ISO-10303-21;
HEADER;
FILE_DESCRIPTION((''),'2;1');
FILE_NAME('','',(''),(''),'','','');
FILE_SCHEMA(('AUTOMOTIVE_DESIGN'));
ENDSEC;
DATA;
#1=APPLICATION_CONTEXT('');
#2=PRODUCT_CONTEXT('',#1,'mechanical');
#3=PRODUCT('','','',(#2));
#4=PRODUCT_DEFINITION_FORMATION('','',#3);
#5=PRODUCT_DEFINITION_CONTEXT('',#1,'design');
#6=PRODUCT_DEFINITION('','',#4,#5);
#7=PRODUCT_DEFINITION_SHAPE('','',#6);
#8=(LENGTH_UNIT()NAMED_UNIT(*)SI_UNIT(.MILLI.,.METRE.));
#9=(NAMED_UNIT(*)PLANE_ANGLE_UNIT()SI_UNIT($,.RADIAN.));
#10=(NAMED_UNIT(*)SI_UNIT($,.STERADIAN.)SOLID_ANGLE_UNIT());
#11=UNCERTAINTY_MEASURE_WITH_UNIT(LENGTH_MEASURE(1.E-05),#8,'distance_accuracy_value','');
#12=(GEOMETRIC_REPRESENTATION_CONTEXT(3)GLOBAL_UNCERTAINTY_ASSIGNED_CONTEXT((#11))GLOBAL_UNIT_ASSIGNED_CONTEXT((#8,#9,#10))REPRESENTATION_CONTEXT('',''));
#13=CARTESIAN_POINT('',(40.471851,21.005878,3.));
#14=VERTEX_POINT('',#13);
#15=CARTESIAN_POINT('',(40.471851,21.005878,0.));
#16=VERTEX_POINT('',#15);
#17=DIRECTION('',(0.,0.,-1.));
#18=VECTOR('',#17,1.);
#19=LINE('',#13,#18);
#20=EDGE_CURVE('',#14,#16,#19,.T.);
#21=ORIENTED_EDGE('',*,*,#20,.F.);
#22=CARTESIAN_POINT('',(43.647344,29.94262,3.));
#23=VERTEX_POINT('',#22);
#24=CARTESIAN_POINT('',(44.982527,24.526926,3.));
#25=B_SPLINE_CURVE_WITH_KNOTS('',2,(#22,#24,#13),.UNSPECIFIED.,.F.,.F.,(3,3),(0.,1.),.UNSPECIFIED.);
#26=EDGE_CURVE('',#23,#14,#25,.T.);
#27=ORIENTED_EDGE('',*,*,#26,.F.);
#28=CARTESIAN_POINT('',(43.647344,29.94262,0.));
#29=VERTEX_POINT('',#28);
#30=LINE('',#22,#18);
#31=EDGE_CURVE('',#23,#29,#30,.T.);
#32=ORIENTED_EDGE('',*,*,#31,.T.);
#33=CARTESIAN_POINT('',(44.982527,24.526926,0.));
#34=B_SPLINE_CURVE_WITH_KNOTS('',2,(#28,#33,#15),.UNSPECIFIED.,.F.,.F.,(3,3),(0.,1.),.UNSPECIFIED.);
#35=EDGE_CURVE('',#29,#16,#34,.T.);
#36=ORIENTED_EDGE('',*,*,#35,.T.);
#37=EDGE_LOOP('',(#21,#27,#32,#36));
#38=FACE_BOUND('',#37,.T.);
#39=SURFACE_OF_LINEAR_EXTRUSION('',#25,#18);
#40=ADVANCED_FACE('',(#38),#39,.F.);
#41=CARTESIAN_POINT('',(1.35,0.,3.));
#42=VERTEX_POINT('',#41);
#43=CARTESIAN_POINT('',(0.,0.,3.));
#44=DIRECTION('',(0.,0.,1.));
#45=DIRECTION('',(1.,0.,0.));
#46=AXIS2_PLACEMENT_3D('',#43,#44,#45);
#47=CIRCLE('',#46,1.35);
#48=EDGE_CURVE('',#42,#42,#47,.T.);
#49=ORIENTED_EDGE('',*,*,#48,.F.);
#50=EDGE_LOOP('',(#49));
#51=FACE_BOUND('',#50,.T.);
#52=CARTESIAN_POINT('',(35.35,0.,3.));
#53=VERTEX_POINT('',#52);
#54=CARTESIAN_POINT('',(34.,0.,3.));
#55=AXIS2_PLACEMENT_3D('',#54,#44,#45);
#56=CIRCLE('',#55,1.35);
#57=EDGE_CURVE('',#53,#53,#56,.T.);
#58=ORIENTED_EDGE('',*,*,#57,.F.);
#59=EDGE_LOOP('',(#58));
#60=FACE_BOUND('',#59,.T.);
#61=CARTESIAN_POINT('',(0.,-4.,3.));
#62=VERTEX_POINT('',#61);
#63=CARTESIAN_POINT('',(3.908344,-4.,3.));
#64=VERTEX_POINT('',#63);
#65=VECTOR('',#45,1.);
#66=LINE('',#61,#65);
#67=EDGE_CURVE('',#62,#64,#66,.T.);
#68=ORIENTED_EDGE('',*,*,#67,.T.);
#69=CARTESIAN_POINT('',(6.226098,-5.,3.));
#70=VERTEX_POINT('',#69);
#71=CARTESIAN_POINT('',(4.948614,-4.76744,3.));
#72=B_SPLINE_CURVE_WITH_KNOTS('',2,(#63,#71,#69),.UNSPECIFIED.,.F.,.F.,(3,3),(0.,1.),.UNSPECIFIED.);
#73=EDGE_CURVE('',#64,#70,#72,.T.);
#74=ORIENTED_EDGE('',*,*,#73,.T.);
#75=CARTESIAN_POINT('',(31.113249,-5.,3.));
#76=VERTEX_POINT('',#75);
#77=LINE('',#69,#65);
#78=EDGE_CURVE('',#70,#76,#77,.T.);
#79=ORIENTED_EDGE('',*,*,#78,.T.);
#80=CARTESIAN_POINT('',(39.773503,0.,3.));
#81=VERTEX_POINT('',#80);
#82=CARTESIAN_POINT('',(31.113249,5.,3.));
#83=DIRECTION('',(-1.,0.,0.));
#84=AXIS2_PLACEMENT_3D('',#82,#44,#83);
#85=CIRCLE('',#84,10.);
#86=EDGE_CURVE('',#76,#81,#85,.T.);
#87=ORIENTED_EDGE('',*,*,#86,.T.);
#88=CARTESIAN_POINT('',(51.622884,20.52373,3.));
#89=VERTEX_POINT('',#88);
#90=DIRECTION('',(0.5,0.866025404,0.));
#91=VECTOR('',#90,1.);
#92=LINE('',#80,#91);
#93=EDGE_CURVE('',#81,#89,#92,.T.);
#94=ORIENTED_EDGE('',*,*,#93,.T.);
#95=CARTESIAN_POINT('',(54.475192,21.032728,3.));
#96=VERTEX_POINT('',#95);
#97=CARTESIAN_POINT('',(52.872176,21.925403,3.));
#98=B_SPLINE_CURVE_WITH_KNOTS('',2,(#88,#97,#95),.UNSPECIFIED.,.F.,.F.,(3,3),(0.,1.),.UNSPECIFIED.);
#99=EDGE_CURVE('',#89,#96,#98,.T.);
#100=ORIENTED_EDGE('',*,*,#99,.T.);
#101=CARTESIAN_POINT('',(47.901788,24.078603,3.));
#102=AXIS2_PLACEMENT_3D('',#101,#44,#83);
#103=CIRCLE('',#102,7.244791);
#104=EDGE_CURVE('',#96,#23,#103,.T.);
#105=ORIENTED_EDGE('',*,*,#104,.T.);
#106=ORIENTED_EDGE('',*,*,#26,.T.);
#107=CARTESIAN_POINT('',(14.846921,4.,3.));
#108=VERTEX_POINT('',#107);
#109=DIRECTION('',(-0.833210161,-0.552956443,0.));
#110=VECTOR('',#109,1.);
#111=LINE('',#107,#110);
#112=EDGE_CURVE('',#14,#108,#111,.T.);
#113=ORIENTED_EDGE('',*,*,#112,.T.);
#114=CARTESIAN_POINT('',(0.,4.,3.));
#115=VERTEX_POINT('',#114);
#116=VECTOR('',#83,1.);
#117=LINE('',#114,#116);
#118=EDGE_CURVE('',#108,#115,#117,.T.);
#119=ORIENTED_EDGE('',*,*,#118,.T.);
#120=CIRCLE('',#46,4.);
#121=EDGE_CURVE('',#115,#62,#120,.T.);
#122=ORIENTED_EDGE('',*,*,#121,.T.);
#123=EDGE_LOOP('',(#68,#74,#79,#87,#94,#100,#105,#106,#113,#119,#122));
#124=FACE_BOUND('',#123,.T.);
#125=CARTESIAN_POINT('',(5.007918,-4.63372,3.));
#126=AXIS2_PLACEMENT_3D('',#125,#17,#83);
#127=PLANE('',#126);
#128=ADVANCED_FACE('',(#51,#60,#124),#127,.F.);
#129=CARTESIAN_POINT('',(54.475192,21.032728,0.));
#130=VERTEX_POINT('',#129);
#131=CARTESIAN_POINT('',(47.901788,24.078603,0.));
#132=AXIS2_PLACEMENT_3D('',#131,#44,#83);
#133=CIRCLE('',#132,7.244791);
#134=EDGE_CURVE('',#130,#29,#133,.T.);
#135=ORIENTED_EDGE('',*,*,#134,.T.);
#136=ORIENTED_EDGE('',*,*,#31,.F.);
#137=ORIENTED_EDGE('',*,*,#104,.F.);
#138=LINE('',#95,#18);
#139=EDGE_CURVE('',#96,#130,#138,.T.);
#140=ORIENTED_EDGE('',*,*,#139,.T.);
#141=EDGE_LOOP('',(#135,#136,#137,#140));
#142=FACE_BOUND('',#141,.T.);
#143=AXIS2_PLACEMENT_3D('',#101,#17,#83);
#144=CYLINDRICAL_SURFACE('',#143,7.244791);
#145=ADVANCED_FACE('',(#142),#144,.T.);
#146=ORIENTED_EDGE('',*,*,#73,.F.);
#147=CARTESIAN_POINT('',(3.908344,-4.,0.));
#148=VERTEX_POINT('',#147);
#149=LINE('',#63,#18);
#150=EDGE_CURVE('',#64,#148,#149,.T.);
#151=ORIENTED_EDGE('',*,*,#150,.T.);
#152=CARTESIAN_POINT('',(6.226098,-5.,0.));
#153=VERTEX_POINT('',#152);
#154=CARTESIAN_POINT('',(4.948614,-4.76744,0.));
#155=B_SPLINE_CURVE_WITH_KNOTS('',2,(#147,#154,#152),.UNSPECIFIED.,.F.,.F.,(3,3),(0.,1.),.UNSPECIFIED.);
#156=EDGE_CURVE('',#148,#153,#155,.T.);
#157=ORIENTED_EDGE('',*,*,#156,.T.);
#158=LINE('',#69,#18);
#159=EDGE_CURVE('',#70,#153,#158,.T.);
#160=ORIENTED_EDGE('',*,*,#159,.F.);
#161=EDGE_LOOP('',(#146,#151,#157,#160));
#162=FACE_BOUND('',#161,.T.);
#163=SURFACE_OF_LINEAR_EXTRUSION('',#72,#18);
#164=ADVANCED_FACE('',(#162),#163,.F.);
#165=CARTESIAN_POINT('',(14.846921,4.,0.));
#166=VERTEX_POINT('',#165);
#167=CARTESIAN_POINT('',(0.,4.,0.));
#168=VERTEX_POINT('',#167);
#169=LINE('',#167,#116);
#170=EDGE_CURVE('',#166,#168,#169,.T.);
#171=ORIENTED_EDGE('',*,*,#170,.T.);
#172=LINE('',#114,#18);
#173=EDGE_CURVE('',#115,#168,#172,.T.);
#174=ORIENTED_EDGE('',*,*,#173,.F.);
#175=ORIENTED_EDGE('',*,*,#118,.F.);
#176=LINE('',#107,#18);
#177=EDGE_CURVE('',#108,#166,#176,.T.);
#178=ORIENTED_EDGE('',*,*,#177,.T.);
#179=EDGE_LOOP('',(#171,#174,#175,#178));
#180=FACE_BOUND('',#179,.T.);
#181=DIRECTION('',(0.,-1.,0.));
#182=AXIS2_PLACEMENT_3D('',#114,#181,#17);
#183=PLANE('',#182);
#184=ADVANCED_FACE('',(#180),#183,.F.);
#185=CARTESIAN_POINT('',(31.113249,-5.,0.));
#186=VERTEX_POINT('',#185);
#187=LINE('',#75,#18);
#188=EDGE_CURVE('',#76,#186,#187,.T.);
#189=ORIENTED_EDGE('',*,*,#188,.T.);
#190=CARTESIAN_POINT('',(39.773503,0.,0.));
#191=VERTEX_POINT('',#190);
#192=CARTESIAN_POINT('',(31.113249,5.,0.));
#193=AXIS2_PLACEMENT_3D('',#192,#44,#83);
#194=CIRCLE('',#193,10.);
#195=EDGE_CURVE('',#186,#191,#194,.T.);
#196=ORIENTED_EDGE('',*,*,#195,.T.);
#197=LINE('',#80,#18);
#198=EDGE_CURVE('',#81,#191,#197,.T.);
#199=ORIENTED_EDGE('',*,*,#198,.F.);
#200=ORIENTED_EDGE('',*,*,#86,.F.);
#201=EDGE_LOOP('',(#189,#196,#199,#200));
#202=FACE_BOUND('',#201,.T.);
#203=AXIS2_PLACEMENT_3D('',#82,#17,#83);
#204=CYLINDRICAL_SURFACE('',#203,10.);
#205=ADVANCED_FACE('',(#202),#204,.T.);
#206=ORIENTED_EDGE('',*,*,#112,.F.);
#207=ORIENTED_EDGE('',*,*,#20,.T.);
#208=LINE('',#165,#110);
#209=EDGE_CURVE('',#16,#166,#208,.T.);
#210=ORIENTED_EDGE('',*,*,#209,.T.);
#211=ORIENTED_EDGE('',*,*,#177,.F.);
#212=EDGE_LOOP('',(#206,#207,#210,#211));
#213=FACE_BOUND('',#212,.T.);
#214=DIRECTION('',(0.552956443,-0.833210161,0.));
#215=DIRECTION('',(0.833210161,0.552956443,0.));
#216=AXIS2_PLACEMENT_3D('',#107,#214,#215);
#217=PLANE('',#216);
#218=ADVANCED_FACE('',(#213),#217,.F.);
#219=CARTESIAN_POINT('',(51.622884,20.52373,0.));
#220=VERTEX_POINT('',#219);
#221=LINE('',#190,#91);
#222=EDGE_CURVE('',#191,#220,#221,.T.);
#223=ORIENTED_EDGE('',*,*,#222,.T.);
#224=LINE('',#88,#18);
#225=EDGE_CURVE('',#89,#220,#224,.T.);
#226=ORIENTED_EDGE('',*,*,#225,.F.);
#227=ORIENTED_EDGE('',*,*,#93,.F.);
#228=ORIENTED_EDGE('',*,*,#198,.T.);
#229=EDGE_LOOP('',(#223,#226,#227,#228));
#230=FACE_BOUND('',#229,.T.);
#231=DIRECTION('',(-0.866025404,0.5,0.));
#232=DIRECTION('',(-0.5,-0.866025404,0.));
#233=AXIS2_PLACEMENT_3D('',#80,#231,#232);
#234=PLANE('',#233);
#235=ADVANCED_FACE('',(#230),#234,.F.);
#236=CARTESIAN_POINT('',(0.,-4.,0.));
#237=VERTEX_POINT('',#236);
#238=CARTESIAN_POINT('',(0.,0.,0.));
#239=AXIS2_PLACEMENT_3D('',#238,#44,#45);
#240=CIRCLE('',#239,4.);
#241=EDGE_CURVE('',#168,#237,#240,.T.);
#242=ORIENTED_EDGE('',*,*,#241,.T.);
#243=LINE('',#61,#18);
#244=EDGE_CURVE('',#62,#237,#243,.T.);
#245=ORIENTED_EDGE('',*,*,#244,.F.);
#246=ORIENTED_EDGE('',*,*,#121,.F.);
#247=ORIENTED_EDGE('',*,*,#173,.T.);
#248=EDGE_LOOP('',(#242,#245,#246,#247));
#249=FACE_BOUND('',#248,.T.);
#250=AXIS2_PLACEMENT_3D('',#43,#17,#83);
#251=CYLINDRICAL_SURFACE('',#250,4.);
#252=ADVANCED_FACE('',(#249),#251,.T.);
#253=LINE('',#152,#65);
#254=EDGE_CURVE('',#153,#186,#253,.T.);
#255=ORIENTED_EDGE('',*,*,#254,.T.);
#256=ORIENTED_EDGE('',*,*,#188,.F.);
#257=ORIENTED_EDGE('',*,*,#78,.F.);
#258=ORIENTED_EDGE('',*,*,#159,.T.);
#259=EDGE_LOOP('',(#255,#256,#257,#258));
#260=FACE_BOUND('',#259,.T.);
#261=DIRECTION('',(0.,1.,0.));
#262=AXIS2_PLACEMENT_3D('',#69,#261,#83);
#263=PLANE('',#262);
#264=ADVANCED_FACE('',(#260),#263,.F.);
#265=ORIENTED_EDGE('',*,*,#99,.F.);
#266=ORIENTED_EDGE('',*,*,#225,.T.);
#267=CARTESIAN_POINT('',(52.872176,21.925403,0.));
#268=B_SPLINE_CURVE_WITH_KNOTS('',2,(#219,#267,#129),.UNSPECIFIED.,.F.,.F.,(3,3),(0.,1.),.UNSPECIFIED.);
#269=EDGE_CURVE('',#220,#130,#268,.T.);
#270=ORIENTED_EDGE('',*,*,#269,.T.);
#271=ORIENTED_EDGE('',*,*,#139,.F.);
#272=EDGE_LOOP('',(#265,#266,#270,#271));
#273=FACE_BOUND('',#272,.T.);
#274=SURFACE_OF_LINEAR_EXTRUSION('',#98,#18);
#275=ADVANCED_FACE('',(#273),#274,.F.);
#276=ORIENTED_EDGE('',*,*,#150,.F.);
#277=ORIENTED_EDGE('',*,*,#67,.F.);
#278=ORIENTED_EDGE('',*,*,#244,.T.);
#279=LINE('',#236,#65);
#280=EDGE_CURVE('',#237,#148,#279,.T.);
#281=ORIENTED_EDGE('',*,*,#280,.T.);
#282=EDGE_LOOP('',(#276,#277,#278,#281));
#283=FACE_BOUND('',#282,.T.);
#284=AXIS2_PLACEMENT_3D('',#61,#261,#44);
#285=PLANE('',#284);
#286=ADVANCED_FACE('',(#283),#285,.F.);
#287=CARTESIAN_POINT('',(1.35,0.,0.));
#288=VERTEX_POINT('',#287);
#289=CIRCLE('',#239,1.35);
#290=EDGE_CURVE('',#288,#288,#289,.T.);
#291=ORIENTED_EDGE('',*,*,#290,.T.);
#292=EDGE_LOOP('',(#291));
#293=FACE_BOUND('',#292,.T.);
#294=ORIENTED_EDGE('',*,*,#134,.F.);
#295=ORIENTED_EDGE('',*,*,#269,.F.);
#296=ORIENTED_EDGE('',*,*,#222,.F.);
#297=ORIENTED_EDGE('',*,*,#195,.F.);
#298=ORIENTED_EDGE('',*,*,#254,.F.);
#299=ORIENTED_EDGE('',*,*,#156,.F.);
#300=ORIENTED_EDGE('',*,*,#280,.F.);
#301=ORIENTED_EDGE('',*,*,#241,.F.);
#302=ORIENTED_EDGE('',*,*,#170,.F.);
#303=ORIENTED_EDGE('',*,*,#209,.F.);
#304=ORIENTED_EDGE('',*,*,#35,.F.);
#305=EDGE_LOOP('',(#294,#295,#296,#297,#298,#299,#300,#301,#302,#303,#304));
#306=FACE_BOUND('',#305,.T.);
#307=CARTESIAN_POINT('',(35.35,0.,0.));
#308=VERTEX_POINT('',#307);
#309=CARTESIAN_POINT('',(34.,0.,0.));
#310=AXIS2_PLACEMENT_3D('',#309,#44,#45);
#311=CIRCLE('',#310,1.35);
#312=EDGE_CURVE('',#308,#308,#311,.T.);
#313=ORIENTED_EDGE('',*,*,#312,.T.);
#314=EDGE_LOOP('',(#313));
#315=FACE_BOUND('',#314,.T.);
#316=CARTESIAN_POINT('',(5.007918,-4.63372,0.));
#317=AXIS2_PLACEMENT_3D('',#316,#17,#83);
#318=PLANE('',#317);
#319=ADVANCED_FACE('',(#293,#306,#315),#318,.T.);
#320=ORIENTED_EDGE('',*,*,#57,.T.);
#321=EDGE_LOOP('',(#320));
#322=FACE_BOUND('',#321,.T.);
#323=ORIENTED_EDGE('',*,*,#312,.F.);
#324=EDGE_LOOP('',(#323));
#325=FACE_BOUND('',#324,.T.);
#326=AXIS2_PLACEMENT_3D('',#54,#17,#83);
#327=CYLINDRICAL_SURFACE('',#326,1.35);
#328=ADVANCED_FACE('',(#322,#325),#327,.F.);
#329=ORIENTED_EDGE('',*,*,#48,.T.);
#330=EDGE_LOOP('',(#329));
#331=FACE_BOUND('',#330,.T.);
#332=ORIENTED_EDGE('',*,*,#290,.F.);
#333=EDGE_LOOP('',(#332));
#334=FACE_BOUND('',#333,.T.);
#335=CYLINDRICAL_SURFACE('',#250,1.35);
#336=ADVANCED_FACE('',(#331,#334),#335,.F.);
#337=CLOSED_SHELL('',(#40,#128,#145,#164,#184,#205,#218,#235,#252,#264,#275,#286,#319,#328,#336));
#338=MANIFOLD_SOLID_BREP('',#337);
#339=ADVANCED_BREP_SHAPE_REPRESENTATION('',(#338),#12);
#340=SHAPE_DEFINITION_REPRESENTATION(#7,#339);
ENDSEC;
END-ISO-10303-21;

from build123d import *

# Parameters (mm, degrees)
SKETCH_1_R      = 1.35
EXTRUDE_2_DEPTH = 3


with BuildPart() as part:
    # 草图1 → 凸台-拉伸2 (new body)
    with BuildSketch(Plane.XY):
        with BuildLine():
            Line((6.226098023, -5), (31.113248654, -5))
            ThreePointArc((31.113248654, -5), (36.113248654, -3.660254038), (39.773502692, 0))
            Line((39.773502692, 0), (51.622883551, 20.523729686))
            add(Edge.make_bspline(
                [(51.622883551, 20.523729686), (52.87217552, 21.925402984), (54.475191511, 21.032727874)],
                knots=[0, 0, 0, 1, 1, 1], degree=2))
            ThreePointArc((54.475191511, 21.032727874), (52.505149262, 29.672890493), (43.647343513, 29.942619722))
            add(Edge.make_bspline(
                [(40.471851368, 21.005877846), (44.982527223, 24.526926475), (43.647343513, 29.942619722)],
                knots=[0, 0, 0, 1, 1, 1], degree=2))
            Line((40.471851368, 21.005877846), (14.846921247, 4))
            Line((14.846921247, 4), (0, 4))
            ThreePointArc((0, 4), (-4, 0), (0, -4))
            Line((0, -4), (3.908343777, -4))
            add(Edge.make_bspline(
                [(3.908343777, -4), (4.94861431, -4.76744043), (6.226098023, -5)],
                knots=[0, 0, 0, 1, 1, 1], degree=2))
        make_face()
        Circle(SKETCH_1_R, mode=Mode.SUBTRACT)
        with Locations((34, 0)):
            Circle(SKETCH_1_R, mode=Mode.SUBTRACT)
    extrude(amount=EXTRUDE_2_DEPTH)


solid = part.part
